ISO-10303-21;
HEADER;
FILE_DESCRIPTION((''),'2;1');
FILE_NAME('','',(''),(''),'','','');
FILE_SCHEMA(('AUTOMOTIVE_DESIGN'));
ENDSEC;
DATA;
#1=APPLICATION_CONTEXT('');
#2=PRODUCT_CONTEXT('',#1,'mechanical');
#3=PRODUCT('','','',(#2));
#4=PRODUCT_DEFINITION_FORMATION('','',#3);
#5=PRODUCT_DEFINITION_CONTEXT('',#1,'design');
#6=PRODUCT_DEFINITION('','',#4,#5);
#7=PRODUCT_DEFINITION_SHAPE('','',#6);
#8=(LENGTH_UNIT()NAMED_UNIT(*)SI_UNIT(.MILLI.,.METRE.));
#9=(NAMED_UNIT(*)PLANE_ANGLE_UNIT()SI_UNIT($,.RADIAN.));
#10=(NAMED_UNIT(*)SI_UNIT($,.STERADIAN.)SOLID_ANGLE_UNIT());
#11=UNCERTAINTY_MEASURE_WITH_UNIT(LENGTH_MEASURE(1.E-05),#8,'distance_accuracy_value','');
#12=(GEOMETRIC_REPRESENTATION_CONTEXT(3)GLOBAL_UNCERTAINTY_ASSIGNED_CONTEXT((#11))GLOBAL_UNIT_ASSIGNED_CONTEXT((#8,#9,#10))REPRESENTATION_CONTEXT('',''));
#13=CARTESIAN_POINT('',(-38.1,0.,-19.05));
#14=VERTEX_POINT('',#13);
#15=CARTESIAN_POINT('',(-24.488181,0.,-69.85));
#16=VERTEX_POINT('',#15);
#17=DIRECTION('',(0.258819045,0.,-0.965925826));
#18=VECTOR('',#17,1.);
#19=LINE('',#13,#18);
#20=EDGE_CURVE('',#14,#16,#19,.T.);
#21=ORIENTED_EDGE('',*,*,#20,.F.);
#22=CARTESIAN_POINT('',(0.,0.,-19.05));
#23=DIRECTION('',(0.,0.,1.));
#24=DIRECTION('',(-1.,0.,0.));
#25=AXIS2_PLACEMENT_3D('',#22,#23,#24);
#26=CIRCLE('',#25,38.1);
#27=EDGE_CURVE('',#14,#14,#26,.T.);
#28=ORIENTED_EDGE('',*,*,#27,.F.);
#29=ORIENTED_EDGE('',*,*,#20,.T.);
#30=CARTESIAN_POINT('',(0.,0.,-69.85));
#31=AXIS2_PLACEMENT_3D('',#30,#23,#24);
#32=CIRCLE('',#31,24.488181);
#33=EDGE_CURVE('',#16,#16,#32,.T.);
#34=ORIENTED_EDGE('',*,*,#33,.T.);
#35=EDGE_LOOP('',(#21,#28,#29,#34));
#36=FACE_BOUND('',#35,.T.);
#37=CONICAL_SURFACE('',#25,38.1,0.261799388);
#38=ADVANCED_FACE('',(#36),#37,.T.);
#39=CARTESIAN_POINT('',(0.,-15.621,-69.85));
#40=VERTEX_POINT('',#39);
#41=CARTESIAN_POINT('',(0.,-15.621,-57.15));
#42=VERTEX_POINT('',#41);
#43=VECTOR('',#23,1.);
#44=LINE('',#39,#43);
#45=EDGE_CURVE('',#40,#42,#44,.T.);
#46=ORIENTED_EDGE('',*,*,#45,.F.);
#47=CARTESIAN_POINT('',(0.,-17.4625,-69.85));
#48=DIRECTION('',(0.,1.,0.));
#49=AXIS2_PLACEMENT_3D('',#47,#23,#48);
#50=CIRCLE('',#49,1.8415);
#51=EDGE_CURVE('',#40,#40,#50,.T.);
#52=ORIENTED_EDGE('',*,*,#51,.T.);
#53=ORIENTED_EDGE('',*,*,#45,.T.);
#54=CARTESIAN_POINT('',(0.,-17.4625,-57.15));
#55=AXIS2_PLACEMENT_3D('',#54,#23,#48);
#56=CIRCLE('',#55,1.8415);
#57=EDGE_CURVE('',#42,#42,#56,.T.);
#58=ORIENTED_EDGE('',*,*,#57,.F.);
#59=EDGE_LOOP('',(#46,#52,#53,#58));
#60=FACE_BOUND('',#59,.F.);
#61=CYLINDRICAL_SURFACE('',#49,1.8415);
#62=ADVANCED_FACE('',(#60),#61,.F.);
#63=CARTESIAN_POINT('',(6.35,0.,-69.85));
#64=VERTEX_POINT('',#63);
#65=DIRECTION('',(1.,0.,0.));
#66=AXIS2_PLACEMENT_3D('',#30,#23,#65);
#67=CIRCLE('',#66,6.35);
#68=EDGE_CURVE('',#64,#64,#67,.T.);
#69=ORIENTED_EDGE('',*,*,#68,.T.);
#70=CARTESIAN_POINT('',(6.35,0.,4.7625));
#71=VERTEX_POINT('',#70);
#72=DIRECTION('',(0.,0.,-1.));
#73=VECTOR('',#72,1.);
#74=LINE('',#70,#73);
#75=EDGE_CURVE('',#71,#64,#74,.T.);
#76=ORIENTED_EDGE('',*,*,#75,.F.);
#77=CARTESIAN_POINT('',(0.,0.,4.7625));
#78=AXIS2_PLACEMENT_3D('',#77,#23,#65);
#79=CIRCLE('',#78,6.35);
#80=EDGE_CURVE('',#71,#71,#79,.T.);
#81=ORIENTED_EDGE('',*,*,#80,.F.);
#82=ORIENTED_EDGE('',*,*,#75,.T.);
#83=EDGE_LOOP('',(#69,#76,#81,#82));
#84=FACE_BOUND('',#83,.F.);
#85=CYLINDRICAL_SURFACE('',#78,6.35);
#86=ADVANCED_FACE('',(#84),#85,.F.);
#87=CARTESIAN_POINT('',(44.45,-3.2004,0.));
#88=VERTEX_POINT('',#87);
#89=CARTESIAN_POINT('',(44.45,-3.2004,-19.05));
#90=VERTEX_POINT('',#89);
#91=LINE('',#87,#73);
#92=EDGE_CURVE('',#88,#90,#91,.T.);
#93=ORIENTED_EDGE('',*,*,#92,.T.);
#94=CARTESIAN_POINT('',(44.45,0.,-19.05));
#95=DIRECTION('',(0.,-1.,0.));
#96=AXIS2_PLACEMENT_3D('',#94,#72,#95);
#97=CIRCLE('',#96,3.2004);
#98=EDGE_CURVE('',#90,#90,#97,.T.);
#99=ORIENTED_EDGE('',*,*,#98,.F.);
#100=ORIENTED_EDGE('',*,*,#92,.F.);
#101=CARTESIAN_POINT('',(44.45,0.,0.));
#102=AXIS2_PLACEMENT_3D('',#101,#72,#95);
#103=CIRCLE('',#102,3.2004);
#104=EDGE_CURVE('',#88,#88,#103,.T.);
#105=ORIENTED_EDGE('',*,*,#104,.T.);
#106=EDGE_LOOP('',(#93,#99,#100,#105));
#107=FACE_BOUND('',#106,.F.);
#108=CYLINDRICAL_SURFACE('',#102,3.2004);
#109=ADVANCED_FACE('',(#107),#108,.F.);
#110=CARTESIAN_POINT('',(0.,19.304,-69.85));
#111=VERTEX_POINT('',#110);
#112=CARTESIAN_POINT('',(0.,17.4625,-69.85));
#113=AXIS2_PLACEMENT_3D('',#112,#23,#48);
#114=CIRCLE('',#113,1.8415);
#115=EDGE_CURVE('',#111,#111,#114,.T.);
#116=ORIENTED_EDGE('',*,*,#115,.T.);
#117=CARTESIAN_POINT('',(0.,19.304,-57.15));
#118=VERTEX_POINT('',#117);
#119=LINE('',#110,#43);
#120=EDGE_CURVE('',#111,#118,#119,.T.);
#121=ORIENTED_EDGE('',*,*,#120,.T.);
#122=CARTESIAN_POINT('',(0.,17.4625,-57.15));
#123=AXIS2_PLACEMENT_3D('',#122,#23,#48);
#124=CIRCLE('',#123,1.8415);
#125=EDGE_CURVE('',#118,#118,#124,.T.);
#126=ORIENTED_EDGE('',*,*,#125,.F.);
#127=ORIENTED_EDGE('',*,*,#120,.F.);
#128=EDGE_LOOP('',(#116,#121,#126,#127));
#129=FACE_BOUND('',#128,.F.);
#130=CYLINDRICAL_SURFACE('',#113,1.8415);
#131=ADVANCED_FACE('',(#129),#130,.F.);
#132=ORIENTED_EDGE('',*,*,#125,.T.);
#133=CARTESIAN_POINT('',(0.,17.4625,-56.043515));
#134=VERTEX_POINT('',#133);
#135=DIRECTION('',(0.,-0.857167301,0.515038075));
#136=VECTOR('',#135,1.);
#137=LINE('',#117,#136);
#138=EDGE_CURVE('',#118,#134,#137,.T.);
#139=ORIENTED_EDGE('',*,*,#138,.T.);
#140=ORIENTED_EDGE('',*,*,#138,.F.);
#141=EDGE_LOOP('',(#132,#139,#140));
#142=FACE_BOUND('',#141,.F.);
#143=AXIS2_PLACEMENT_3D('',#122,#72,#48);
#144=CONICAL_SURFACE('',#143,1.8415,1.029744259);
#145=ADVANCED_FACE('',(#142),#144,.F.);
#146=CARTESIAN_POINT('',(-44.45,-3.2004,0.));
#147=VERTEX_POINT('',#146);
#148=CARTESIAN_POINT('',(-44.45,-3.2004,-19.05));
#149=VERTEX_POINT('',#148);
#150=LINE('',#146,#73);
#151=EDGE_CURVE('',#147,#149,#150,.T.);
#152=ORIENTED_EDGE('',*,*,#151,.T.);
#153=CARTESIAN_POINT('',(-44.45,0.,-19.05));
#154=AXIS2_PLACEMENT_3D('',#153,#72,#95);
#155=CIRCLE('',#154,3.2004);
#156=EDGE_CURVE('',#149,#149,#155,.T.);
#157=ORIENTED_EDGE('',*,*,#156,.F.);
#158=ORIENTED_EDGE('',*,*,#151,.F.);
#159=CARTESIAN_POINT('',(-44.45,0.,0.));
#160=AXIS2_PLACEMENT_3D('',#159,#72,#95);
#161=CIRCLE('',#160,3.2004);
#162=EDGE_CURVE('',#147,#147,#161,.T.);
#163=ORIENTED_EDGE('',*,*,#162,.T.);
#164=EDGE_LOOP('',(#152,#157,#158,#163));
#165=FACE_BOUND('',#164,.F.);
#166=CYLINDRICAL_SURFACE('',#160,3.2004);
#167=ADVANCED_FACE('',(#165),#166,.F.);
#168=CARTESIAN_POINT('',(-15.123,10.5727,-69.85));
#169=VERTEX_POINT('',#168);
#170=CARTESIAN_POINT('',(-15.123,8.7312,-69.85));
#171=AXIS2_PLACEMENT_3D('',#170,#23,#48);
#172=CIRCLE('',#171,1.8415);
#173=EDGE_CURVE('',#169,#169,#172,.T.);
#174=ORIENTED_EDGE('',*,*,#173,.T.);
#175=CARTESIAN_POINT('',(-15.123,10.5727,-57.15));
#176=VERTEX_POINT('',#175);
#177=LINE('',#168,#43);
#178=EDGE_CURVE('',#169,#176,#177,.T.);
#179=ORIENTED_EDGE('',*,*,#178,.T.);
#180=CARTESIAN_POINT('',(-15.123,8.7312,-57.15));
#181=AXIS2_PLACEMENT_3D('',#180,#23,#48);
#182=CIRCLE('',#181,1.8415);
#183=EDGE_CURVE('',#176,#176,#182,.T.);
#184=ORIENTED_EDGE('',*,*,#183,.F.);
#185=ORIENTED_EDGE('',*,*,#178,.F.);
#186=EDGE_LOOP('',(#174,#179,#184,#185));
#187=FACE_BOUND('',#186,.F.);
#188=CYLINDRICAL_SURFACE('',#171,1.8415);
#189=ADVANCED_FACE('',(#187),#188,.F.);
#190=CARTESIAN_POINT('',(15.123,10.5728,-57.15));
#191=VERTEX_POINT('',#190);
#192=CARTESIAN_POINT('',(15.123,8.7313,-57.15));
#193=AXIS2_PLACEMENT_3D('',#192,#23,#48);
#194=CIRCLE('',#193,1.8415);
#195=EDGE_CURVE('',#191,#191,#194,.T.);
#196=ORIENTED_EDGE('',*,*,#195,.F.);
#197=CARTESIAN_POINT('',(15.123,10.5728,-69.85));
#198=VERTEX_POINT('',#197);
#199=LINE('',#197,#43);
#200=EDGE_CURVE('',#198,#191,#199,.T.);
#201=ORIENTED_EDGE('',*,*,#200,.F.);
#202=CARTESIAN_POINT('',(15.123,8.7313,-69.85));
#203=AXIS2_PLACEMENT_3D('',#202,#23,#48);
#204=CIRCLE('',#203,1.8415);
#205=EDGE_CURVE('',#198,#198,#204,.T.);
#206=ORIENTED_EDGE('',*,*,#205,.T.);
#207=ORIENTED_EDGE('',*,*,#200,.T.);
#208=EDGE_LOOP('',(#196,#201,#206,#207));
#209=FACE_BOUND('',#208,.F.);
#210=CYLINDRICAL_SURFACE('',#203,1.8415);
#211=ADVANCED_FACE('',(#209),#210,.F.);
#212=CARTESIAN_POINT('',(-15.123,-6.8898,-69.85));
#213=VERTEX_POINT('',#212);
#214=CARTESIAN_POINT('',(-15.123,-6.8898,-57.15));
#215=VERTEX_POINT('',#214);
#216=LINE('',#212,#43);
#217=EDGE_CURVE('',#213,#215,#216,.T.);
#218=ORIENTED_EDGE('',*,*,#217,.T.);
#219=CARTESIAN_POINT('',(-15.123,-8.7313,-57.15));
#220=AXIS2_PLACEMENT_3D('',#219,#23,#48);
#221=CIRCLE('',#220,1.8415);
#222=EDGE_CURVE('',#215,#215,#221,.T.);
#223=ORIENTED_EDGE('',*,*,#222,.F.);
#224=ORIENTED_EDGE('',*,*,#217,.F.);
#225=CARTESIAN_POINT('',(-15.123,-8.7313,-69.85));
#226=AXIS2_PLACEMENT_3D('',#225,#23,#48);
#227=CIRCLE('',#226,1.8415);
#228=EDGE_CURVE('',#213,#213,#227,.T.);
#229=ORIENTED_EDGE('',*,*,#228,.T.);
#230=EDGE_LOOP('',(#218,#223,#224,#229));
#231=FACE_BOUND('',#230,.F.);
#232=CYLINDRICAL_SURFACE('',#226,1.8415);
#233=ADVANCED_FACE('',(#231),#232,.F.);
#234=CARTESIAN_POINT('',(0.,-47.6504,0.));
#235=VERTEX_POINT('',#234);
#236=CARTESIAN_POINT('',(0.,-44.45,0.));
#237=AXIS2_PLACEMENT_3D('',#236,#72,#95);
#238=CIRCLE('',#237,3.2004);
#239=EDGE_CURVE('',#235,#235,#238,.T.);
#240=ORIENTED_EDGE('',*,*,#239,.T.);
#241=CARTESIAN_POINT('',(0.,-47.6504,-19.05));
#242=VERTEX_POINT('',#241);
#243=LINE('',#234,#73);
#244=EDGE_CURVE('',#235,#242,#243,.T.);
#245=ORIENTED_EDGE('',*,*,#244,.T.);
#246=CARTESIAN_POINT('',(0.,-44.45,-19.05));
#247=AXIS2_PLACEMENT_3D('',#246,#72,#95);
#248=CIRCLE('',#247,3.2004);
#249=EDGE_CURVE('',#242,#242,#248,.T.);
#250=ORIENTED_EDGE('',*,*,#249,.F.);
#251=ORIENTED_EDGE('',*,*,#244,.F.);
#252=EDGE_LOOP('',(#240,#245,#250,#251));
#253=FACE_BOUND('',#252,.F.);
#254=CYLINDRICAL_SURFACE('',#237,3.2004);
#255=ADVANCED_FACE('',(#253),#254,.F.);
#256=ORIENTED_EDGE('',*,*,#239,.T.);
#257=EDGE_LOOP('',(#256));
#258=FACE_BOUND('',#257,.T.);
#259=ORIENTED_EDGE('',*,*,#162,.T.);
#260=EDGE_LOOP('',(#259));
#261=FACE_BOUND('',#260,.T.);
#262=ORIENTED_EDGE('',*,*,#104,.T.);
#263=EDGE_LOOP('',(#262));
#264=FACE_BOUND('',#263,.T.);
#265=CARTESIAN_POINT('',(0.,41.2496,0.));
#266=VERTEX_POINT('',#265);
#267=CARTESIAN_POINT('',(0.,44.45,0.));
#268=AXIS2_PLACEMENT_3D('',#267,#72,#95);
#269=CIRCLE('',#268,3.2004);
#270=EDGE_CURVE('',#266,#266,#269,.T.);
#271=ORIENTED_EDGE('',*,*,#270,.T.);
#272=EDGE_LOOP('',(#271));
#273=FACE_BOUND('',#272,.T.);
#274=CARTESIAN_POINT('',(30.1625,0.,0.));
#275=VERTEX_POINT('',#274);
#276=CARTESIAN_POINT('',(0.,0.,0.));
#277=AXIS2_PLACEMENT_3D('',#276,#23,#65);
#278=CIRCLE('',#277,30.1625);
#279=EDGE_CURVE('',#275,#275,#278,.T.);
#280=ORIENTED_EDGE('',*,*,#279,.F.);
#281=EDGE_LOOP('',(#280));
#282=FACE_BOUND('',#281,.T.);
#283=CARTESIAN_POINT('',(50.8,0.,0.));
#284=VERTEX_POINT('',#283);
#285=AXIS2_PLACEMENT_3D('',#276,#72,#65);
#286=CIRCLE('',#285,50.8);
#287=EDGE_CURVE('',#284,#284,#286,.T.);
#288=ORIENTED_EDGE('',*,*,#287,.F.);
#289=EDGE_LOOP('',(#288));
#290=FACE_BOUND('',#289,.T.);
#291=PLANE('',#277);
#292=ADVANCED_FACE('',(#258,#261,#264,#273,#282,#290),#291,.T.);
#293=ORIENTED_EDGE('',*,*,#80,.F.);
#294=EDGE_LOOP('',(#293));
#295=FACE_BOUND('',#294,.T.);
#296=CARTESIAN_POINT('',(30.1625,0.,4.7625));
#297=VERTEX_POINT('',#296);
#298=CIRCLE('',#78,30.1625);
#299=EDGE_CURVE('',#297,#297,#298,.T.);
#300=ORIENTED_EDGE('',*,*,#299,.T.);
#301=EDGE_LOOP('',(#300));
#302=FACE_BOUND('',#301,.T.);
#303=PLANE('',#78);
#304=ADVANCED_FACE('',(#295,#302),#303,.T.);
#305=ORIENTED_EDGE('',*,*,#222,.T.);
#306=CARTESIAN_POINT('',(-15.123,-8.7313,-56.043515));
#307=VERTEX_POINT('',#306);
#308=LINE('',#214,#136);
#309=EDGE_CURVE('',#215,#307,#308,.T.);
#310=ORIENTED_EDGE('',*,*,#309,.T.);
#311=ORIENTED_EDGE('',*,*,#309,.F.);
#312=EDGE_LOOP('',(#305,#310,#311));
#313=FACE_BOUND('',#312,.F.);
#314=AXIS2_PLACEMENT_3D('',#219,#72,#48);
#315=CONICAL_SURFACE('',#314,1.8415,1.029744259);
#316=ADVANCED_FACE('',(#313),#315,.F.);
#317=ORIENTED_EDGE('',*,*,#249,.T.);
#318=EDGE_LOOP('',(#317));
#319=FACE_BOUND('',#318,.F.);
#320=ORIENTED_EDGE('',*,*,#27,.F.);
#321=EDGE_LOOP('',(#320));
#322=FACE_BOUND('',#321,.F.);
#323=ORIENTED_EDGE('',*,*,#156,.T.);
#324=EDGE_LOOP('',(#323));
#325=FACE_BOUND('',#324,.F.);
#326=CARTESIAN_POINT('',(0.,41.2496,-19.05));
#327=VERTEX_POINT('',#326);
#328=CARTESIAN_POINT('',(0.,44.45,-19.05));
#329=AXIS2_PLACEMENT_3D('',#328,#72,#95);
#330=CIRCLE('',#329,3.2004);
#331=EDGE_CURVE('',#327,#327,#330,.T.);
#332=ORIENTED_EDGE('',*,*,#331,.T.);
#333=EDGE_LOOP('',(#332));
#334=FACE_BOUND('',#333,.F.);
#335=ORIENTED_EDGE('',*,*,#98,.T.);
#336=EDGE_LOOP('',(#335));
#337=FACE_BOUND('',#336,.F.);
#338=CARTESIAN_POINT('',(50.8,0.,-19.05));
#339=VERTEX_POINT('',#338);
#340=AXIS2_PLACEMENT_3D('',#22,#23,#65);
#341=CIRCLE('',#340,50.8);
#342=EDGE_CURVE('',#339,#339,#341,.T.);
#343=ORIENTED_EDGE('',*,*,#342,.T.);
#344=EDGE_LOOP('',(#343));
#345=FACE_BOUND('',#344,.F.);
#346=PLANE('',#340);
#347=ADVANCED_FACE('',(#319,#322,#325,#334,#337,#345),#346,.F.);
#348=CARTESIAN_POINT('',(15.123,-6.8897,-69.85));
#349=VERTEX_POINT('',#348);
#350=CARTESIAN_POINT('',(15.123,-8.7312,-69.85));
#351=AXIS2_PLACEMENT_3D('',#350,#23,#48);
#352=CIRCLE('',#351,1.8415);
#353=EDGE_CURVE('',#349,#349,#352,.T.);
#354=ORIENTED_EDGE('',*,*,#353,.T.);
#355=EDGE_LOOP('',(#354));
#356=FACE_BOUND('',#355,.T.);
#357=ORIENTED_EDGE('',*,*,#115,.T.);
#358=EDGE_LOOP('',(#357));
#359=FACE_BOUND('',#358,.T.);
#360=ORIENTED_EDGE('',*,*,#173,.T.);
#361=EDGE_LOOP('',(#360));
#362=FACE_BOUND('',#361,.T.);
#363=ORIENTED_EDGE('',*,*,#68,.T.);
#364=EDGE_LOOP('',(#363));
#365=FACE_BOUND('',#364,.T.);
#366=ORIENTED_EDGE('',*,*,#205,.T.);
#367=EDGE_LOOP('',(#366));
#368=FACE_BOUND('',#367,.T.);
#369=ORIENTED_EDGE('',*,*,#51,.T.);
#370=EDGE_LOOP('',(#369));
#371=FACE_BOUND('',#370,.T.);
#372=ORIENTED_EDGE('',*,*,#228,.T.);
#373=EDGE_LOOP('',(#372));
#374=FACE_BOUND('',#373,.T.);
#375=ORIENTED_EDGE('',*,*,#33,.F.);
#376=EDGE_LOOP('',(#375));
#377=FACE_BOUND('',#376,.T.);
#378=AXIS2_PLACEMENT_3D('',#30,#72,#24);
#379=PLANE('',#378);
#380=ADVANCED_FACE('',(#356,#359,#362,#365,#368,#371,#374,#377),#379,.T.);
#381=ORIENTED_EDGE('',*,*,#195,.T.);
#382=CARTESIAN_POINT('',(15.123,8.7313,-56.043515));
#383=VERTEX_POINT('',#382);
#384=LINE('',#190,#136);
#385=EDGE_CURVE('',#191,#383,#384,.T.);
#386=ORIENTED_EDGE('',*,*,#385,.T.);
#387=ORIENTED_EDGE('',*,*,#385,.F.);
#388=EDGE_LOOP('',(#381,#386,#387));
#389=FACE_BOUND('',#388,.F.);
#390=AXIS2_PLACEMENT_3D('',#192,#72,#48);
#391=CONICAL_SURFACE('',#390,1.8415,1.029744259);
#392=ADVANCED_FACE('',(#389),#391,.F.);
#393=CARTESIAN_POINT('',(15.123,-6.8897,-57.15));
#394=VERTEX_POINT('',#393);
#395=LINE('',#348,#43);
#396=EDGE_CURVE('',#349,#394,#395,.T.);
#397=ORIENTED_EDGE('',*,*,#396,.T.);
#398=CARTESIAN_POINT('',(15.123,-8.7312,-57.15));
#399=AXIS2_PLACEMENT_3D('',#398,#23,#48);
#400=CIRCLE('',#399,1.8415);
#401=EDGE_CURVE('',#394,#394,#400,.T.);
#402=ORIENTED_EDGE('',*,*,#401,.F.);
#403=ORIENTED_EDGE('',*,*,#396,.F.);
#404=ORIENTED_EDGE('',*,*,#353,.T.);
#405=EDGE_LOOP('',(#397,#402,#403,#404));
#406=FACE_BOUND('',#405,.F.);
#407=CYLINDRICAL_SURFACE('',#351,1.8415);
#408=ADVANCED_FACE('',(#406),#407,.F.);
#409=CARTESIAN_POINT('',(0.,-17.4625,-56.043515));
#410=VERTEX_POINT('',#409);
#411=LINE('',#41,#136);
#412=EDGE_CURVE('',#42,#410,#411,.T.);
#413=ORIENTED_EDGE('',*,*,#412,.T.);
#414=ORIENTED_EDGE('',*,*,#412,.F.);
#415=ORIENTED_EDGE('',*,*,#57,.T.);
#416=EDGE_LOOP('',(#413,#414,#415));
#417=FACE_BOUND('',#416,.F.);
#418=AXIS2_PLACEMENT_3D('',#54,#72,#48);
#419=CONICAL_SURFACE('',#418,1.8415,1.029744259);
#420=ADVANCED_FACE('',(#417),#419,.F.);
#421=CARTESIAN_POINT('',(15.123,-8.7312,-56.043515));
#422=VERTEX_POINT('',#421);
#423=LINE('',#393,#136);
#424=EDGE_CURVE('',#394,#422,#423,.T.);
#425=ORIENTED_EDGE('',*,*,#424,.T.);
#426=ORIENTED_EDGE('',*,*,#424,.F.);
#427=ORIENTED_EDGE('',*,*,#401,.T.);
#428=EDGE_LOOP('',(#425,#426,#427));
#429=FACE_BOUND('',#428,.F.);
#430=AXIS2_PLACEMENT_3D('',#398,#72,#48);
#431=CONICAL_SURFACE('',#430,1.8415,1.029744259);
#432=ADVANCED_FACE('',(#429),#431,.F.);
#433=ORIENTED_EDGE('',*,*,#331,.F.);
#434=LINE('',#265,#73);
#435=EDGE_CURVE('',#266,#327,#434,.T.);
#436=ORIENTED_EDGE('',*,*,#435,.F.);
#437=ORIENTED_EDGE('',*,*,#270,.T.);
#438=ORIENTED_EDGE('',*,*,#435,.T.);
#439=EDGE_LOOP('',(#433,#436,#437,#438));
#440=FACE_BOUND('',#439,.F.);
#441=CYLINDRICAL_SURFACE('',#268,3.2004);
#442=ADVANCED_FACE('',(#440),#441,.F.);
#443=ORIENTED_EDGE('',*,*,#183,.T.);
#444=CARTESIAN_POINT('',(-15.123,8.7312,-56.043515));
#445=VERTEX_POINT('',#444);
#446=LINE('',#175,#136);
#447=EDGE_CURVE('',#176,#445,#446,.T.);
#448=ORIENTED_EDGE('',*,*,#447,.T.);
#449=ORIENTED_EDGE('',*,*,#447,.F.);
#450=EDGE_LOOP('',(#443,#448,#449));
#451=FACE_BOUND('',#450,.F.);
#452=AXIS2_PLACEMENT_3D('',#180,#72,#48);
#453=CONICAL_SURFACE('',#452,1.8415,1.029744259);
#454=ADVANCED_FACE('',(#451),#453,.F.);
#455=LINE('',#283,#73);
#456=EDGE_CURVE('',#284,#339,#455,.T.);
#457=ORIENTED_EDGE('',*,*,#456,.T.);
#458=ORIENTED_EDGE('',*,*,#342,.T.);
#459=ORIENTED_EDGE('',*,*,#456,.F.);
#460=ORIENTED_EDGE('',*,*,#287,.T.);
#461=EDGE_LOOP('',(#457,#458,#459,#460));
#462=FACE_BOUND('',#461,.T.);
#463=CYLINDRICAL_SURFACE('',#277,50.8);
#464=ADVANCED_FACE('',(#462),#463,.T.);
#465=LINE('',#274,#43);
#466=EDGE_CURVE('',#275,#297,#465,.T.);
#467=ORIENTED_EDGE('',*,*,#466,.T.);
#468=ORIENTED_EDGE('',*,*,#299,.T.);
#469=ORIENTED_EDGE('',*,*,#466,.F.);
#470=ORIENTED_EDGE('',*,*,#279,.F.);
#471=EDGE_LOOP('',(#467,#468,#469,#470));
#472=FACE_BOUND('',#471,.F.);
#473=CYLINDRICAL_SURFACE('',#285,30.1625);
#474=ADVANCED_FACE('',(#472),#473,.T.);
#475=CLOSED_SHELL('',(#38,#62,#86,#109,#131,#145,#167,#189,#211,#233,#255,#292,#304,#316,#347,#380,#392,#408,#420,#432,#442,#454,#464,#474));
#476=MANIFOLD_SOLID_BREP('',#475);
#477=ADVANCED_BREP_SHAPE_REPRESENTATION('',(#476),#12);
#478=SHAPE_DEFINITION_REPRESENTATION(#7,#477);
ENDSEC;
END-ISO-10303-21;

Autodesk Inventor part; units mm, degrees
ref_plane "YZ Plane" through (0, 0, 0) normal (1, 0, 0) x (0, 1, 0)
ref_plane "XZ Plane" through (0, 0, 0) normal (0, 1, 0) x (-1, 0, 0)
ref_plane "XY Plane" through (0, 0, 0) normal (0, 0, 1) x (1, 0, 0)
sketch "Sketch1" plane through (0, 0, 0) normal (0, 0, 1) x (1, 0, 0)
  line L0 (-71.12, 0) -> (71.12, 0) projected
  line L1 (0, -71.12) -> (0, 71.12) projected
  circle A0 centre (0, 0) radius 50.8
  dimension "d0" = 101.6
extrude "Extrusion1" add sketch "Sketch1" against normal blind 19.05
sketch "Sketch2" plane through (0, 0, 0) normal (0, 0, 1) x (1, 0, 0)
  circle A0 centre (0, 0) radius 50.8 projected
  circle A1 centre (0, 0) radius 30.1625
  dimension "d3" = 60.325
extrude "Extrusion2" add sketch "Sketch2" along normal blind 4.7625 contours A1
sketch "Sketch3" plane through (0, 0, 0) normal (0, 0, 1) x (1, 0, 0)
  circle A0 centre (0, 0) radius 30.1625 projected
  point P0 (0, 44.45)
  point P1 (-44.45, 0)
  point P2 (0, -44.45)
  point P3 (44.45, 0)
  dimension "d8" = 360
  dimension "d35" = 88.9
hole "Hole1" at (0, 44.45, 0) at (-44.45, 0, 0) at (0, -44.45, 0) at (44.45, 0, 0) direction (0, 0, -1) diameter 6.4008 end through all thread size "5/16-18 UNC" class "2B" standard "ANSI Unified Screw Threads"
sketch "Sketch5" plane through (0, 0, -19.05) normal (0, 0, -1) x (-1, 0, 0)
  circle A0 centre (0, 0) radius 50.8 projected
  circle A1 centre (0, 0) radius 38.1
  dimension "d17" = 76.2
extrude "Extrusion3" add sketch "Sketch5" along normal blind 50.8 draft -15 contours A1
sketch "Sketch6" plane through (0, 0, -69.85) normal (0, 0, -1) x (-1, 0, 0)
  circle A0 centre (0, 0) radius 24.4882 projected
  point P0 (0, 17.4625)
  point P1 (-15.123, 8.7313)
  point P2 (-15.123, -8.7312)
  point P3 (0, -17.4625)
  point P4 (15.123, -8.7313)
  point P5 (15.123, 8.7312)
  dimension "d22" = 360
  dimension "d24" = 17.4625
hole "Hole2" at (0, 17.4625, -69.85) at (15.123, 8.7313, -69.85) at (15.123, -8.7312, -69.85) at (0, -17.4625, -69.85) at (-15.123, -8.7313, -69.85) at (-15.123, 8.7312, -69.85) direction (0, 0, 1) diameter 3.683 depth 12.7 tip angle 118 thread size "10-24 UNC" class "2B" standard "ANSI Unified Screw Threads"
sketch "Sketch7" plane through (0, 0, 4.7625) normal (0, 0, 1) x (1, 0, 0)
  circle A0 centre (0, 0) radius 30.1625 projected
  circle A1 centre (0, 0) radius 6.35
  dimension "d32" = 12.7
extrude "Extrusion4" cut sketch "Sketch7" against normal through all contours A1
properties part number "wheel_hub"
